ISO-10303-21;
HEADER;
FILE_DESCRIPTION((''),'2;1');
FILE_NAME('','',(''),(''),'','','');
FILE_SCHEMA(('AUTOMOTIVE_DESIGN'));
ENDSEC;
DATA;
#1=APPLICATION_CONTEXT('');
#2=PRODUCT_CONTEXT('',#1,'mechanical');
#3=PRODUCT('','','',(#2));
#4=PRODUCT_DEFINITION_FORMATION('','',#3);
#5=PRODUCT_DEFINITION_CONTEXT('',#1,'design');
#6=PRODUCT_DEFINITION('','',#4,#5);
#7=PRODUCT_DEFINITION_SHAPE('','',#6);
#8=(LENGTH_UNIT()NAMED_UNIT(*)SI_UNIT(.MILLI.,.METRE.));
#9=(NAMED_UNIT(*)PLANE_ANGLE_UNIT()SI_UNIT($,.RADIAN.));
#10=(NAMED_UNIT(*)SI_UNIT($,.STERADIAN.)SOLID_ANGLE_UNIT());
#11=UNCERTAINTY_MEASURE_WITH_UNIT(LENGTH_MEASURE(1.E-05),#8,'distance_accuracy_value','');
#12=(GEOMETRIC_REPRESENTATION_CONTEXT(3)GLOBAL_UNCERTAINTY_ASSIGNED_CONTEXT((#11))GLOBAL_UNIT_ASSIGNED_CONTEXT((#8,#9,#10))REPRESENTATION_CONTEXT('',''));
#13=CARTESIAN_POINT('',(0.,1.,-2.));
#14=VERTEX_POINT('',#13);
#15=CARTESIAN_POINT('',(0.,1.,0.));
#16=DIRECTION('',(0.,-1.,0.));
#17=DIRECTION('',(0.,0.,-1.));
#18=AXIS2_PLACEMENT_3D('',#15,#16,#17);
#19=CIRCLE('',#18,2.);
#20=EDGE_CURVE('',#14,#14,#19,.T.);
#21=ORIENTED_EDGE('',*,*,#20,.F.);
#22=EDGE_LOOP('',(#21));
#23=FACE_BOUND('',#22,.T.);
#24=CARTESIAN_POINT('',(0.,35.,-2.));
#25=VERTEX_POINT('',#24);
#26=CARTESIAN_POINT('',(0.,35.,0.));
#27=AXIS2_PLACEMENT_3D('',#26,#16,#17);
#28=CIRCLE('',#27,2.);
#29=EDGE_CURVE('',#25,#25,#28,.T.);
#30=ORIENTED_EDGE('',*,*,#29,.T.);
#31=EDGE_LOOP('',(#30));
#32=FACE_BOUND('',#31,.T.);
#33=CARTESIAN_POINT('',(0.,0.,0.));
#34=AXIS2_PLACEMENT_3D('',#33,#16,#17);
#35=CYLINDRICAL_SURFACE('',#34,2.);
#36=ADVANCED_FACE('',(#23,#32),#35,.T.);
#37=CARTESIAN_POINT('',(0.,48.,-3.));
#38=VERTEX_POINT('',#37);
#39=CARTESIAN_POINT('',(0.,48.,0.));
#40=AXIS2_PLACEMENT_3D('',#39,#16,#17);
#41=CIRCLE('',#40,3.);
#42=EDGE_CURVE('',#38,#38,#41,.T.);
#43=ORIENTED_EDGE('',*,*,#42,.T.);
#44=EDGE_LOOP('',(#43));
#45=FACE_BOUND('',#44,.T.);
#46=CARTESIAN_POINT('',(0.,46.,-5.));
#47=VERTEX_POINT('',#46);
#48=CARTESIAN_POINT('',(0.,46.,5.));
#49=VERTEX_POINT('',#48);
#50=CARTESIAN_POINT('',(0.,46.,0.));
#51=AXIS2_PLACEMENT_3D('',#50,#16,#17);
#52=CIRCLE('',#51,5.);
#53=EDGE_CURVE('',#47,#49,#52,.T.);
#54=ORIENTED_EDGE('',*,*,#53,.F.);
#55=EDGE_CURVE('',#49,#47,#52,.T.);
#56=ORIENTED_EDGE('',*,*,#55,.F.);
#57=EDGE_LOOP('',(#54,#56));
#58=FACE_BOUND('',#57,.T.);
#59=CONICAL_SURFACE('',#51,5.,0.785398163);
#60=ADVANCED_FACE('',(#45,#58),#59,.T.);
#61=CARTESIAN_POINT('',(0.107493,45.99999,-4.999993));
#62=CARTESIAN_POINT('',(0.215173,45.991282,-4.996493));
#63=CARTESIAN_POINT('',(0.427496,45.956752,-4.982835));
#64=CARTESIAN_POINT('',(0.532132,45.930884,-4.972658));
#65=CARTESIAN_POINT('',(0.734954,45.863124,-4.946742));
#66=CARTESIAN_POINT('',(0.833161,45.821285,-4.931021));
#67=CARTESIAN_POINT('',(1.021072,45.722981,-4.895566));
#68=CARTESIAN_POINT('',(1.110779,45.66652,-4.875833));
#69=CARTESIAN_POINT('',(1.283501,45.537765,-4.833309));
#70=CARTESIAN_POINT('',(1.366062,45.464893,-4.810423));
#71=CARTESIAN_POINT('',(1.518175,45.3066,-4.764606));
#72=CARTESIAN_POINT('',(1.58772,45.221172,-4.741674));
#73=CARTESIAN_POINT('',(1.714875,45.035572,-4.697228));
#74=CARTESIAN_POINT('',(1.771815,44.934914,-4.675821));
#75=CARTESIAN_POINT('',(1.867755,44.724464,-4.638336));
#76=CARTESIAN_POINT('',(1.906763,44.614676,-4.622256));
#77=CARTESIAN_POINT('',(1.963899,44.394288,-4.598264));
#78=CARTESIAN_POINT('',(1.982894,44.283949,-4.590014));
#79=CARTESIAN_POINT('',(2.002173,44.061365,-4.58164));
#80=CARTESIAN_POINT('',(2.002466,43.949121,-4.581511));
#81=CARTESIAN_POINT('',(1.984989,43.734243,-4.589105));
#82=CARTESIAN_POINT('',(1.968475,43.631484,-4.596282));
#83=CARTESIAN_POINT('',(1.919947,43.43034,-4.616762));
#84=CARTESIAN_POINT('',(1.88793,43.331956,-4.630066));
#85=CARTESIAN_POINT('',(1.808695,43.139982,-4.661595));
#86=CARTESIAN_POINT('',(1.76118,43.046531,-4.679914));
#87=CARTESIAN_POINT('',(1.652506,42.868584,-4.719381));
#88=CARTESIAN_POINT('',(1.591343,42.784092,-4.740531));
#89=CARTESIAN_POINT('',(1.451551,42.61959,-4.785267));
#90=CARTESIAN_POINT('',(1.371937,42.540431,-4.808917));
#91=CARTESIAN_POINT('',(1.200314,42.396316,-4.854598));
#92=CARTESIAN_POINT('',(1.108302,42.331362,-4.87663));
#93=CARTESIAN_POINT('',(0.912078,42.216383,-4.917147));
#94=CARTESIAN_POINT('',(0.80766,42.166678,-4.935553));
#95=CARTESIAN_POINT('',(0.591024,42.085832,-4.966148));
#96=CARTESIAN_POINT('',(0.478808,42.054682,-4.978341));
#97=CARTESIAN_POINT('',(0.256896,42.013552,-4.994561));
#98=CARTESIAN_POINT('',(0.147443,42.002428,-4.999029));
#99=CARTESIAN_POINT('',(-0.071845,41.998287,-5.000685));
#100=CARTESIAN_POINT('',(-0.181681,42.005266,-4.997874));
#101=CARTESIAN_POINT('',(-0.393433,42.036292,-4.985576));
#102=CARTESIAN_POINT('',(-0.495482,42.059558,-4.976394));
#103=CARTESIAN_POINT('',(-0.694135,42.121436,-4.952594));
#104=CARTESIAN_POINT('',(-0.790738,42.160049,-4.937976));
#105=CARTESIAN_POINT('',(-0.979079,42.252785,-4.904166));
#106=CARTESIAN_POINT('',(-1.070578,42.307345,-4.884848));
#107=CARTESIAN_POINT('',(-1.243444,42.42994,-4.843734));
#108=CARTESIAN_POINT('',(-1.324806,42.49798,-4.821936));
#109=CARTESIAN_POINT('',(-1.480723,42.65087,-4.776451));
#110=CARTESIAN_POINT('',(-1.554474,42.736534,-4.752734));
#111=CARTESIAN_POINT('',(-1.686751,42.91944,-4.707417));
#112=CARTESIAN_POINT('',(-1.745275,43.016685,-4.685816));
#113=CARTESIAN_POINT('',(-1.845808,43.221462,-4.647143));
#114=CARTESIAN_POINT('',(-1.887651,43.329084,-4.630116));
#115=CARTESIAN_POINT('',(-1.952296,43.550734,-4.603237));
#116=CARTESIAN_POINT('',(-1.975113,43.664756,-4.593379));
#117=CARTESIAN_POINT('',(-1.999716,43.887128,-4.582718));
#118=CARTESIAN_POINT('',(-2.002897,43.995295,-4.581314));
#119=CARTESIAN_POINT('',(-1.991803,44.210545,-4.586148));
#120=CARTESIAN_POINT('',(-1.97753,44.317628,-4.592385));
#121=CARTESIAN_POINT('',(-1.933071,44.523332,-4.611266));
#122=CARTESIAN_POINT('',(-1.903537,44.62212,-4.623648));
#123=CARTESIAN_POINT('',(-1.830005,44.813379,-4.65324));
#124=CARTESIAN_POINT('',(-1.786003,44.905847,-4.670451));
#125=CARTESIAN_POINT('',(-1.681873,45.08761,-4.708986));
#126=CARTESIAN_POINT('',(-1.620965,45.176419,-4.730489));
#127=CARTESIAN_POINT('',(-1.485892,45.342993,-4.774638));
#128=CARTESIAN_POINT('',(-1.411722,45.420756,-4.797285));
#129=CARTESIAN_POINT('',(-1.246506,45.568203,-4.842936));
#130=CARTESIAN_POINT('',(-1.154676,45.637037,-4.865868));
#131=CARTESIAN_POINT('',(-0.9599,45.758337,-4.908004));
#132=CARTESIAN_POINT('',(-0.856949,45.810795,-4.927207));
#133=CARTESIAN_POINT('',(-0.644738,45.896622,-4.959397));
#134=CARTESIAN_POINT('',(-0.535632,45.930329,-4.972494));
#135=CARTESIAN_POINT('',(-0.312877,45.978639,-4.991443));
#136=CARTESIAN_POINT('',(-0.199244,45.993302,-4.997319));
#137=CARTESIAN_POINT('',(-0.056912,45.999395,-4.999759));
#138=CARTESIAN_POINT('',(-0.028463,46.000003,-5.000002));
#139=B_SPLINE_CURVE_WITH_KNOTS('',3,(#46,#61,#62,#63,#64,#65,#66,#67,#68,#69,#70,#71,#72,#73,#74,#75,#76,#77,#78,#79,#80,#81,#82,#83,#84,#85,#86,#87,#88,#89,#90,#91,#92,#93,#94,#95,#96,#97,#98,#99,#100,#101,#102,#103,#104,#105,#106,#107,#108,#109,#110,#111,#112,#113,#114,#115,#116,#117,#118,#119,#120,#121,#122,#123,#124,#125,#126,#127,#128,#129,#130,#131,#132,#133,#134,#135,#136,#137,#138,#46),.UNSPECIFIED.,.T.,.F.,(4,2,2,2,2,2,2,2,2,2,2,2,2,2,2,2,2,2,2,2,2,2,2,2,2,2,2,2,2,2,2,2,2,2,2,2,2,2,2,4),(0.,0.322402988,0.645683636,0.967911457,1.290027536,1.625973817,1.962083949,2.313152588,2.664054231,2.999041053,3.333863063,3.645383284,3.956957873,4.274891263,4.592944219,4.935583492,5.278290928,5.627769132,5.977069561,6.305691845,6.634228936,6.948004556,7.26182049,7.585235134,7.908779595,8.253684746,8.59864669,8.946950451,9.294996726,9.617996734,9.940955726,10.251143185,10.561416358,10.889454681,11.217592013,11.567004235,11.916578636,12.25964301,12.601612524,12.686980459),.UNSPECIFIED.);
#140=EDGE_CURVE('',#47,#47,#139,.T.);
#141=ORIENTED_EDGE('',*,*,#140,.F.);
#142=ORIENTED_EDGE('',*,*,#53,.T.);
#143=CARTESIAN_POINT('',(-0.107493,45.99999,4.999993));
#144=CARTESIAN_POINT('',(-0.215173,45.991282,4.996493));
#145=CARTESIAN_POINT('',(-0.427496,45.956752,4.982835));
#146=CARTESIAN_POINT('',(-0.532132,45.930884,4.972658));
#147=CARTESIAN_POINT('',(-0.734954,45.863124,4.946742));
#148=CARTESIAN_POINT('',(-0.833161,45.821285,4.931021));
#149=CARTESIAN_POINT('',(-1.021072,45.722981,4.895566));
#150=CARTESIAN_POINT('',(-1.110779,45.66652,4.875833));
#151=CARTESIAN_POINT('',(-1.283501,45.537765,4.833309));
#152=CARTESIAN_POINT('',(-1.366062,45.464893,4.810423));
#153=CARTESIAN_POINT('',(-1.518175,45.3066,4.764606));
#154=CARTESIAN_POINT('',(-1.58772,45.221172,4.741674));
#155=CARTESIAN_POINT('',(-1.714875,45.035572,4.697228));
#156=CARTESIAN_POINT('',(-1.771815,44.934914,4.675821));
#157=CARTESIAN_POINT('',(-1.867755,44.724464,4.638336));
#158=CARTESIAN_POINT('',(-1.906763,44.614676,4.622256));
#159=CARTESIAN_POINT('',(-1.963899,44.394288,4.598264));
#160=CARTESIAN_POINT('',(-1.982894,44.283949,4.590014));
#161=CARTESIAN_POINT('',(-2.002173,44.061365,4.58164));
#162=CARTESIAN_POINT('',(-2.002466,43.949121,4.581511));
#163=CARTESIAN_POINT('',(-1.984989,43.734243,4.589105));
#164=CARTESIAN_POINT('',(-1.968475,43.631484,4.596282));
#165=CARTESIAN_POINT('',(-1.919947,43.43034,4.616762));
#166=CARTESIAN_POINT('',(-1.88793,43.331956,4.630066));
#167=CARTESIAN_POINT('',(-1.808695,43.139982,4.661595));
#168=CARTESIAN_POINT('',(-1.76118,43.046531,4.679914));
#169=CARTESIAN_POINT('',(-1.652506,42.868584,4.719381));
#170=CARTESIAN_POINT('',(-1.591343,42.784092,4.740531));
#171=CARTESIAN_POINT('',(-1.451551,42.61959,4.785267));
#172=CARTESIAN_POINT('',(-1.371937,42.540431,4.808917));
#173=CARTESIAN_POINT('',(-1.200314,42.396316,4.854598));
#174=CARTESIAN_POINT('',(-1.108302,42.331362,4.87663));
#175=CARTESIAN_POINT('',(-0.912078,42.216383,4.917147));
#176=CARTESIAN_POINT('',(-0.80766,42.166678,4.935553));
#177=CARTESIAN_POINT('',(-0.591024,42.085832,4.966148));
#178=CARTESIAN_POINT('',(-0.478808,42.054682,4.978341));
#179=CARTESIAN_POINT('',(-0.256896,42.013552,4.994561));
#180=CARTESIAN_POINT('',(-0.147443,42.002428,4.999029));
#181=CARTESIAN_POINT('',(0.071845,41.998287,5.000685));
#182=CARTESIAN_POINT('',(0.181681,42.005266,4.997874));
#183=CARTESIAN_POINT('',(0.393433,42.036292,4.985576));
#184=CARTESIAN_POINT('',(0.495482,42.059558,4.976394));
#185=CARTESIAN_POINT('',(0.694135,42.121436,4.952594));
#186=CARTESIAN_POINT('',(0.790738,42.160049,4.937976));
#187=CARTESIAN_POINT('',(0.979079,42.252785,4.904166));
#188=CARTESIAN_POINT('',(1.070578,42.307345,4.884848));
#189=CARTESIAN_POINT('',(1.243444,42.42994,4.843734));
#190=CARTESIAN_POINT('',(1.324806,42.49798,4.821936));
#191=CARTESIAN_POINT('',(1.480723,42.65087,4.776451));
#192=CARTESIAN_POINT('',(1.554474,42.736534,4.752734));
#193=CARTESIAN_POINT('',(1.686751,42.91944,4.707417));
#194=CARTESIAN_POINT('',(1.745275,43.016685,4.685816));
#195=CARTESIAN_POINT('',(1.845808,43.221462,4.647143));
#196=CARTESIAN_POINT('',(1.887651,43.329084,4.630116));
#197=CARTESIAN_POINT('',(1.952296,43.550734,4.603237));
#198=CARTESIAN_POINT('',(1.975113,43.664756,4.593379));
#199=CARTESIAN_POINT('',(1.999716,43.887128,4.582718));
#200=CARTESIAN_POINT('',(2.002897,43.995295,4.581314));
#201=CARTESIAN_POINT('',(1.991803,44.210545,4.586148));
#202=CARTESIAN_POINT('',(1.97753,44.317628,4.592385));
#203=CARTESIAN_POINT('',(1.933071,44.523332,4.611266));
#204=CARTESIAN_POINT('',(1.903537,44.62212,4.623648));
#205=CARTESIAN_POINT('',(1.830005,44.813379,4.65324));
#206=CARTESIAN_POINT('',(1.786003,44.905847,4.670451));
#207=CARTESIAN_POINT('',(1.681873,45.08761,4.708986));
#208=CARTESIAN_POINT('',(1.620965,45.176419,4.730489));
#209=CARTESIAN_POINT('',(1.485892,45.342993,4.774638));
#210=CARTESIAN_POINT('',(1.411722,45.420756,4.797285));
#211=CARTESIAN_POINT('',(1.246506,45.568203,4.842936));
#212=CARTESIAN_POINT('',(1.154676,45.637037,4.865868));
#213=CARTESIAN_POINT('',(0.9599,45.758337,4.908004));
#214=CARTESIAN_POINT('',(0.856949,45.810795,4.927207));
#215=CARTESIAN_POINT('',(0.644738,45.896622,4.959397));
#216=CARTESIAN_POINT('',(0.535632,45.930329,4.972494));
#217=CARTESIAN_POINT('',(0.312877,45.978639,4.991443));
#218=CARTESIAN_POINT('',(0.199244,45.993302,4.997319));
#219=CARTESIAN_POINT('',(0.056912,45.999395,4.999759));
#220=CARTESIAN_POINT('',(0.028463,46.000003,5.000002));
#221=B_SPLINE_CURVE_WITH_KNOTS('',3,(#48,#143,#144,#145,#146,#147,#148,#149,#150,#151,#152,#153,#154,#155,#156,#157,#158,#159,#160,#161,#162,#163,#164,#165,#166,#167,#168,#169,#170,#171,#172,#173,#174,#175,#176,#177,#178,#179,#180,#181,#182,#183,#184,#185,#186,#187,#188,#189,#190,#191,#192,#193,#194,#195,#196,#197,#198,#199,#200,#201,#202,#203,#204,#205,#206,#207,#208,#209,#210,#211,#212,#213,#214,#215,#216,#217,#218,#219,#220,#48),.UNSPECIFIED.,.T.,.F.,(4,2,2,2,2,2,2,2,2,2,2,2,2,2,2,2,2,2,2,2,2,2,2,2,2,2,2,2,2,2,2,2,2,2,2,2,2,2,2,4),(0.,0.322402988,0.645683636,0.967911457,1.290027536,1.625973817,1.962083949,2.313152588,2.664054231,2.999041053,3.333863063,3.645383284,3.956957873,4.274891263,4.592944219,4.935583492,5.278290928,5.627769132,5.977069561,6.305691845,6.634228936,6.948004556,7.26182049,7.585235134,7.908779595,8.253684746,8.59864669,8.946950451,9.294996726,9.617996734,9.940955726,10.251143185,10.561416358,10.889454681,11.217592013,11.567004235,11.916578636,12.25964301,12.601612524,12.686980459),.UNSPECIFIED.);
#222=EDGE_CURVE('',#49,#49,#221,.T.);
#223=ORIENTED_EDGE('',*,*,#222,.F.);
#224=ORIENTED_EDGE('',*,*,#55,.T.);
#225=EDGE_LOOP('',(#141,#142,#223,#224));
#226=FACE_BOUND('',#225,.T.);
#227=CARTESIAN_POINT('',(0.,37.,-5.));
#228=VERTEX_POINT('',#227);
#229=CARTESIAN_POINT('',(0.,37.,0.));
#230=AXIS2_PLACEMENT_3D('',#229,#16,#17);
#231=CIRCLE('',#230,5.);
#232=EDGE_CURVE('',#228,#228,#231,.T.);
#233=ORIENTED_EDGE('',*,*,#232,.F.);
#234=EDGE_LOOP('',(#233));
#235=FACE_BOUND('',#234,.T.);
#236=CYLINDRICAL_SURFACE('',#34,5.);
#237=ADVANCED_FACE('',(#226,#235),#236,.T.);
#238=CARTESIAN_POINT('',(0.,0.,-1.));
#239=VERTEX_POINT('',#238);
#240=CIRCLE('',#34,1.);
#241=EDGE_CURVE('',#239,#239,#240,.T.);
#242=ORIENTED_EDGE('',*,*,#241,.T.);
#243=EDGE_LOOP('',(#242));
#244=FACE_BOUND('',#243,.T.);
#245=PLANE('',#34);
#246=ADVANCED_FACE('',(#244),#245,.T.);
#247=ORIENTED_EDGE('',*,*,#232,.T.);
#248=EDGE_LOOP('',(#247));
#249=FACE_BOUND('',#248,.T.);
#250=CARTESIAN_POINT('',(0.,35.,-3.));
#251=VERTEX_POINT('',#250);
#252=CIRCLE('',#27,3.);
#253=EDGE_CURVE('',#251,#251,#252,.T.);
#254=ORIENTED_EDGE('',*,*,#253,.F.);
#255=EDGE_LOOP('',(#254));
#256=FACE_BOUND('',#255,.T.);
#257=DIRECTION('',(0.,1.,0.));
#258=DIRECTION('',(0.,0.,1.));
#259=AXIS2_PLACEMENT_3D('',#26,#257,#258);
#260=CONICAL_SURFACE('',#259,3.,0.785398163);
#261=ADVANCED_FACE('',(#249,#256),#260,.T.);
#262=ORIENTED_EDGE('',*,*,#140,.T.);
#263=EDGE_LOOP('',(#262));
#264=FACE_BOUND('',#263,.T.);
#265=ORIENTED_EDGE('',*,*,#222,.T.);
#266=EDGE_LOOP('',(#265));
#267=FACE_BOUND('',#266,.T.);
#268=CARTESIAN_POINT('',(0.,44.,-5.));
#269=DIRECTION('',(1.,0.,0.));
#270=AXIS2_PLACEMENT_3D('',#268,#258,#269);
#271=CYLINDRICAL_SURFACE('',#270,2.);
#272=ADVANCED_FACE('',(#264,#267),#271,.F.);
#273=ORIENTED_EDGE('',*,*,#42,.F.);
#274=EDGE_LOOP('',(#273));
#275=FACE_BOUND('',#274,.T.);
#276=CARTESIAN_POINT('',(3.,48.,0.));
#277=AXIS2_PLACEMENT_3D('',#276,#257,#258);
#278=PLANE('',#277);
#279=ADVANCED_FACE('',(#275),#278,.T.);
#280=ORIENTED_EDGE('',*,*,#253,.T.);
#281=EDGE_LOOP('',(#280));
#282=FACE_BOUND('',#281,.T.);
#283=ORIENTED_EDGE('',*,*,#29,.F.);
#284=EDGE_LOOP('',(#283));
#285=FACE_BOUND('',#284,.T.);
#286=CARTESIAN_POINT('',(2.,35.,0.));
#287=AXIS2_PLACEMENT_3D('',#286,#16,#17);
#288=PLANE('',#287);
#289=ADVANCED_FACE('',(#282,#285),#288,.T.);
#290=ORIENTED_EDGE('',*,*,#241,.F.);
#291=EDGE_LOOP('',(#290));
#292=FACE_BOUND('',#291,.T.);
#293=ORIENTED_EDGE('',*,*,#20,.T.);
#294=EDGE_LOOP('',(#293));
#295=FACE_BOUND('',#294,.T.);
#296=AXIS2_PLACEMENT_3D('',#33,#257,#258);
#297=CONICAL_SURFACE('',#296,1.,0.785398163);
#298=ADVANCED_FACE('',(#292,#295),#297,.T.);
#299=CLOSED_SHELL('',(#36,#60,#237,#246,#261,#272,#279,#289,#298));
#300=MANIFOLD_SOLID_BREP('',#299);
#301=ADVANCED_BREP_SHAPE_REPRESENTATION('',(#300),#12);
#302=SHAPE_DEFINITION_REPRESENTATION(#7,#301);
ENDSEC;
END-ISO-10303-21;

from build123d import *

# Parameters (mm, degrees)
SKETCH2_R               = 2
CUT_EXTRUDE1_DEPTH      = 6
CUT_EXTRUDE1_DEPTH_BACK = 6


with BuildPart() as part:
    # Sketch1 → Revolve1 (revolve)
    with BuildSketch(Plane.XY):
        Polygon((0, 0), (1, 0), (2, 1), (2, 35), (3, 35), (5, 37), (5, 46), (3, 48), (0, 48), align=None)
    revolve(axis=Axis((0, 0, 0), (0, 1, 0)))

    # Sketch2 → Cut-Extrude1 (cut, two sides)
    with BuildSketch(Plane.XY) as cut_extrude1_sk:
        with Locations((0, 44)):
            Circle(SKETCH2_R)
    extrude(amount=CUT_EXTRUDE1_DEPTH, mode=Mode.SUBTRACT)
    extrude(cut_extrude1_sk.sketch, amount=-CUT_EXTRUDE1_DEPTH_BACK, mode=Mode.SUBTRACT)


solid = part.part
